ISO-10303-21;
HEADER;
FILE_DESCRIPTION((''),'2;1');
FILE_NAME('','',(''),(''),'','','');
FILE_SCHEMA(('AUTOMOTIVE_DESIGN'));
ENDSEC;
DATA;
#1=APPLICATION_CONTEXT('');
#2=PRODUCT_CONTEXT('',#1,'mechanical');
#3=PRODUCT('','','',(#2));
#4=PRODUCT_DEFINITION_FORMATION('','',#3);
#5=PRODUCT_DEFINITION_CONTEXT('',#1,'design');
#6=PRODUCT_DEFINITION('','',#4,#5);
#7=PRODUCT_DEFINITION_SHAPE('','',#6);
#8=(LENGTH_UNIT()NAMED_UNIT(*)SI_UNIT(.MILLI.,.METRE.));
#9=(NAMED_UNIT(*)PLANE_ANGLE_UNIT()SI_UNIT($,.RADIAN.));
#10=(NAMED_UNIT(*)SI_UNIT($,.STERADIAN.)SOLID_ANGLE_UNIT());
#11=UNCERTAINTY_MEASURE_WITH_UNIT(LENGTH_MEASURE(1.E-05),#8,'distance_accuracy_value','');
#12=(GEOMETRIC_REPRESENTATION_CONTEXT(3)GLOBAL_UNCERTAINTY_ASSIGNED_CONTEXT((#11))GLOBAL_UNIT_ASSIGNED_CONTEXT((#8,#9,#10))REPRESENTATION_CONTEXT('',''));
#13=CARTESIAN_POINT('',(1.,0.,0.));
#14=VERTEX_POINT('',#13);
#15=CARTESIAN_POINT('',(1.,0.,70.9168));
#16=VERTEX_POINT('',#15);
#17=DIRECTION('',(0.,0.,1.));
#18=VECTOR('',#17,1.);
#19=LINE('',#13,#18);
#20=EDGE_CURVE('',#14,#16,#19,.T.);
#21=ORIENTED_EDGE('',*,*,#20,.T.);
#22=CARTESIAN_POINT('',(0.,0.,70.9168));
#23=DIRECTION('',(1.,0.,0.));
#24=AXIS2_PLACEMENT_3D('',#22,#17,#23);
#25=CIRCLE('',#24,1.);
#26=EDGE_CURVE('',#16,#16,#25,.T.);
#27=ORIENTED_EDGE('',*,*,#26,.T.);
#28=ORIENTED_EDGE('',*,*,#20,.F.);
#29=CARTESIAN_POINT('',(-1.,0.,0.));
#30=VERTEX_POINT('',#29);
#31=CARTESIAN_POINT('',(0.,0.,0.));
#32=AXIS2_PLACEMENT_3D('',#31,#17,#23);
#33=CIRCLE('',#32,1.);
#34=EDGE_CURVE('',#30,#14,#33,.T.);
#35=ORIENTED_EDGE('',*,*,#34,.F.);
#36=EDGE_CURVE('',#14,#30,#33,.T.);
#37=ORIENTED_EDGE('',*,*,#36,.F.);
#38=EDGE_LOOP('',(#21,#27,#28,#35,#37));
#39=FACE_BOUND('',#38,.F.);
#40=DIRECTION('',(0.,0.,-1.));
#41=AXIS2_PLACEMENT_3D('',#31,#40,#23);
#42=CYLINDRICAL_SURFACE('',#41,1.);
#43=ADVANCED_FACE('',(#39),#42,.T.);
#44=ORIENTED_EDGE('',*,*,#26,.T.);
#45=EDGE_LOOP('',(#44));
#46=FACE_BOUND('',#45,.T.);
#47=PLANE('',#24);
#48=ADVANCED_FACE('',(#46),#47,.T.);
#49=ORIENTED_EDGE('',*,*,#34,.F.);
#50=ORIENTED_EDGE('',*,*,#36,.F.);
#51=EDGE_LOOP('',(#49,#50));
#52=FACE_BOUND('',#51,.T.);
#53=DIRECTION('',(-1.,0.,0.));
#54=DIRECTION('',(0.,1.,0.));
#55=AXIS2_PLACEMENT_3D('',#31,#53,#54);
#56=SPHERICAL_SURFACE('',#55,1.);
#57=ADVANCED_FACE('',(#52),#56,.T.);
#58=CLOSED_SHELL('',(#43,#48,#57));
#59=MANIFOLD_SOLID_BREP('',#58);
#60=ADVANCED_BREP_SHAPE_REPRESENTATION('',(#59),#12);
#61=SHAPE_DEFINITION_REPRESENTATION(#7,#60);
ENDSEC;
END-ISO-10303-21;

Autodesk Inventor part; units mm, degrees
ref_plane "YZ Plane" through (0, 0, 0) normal (1, 0, 0) x (0, 1, 0)
ref_plane "XZ Plane" through (0, 0, 0) normal (0, 1, 0) x (-1, 0, 0)
ref_plane "XY Plane" through (0, 0, 0) normal (0, 0, 1) x (1, 0, 0)
sketch "Sketch1" plane through (0, 0, 0) normal (0, 0, 1) x (1, 0, 0)
  circle A0 centre (0, 0) radius 1
  dimension "d0" = 2
extrude "Extrusion1" add sketch "Sketch1" along normal blind 70.9168
sketch "Sketch3" plane through (0, 0, 0) normal (0, 1, 0) x (-1, 0, 0)
  line L0 (-1, 0) -> (1, 0) projected
  arc A0 (-1, 0) -> (1, 0) centre (0, 0) ccw
  line L1 (-1, 0) -> (-1, 70.9168) projected
revolve "Revolution1" add sketch "Sketch3" angle 180 mid plane about axis through (1, 0, 0) along (-1, 0, 0)
properties part number "2mmBentFromSealDive" material "Brass, Soft Yellow, Welded"
